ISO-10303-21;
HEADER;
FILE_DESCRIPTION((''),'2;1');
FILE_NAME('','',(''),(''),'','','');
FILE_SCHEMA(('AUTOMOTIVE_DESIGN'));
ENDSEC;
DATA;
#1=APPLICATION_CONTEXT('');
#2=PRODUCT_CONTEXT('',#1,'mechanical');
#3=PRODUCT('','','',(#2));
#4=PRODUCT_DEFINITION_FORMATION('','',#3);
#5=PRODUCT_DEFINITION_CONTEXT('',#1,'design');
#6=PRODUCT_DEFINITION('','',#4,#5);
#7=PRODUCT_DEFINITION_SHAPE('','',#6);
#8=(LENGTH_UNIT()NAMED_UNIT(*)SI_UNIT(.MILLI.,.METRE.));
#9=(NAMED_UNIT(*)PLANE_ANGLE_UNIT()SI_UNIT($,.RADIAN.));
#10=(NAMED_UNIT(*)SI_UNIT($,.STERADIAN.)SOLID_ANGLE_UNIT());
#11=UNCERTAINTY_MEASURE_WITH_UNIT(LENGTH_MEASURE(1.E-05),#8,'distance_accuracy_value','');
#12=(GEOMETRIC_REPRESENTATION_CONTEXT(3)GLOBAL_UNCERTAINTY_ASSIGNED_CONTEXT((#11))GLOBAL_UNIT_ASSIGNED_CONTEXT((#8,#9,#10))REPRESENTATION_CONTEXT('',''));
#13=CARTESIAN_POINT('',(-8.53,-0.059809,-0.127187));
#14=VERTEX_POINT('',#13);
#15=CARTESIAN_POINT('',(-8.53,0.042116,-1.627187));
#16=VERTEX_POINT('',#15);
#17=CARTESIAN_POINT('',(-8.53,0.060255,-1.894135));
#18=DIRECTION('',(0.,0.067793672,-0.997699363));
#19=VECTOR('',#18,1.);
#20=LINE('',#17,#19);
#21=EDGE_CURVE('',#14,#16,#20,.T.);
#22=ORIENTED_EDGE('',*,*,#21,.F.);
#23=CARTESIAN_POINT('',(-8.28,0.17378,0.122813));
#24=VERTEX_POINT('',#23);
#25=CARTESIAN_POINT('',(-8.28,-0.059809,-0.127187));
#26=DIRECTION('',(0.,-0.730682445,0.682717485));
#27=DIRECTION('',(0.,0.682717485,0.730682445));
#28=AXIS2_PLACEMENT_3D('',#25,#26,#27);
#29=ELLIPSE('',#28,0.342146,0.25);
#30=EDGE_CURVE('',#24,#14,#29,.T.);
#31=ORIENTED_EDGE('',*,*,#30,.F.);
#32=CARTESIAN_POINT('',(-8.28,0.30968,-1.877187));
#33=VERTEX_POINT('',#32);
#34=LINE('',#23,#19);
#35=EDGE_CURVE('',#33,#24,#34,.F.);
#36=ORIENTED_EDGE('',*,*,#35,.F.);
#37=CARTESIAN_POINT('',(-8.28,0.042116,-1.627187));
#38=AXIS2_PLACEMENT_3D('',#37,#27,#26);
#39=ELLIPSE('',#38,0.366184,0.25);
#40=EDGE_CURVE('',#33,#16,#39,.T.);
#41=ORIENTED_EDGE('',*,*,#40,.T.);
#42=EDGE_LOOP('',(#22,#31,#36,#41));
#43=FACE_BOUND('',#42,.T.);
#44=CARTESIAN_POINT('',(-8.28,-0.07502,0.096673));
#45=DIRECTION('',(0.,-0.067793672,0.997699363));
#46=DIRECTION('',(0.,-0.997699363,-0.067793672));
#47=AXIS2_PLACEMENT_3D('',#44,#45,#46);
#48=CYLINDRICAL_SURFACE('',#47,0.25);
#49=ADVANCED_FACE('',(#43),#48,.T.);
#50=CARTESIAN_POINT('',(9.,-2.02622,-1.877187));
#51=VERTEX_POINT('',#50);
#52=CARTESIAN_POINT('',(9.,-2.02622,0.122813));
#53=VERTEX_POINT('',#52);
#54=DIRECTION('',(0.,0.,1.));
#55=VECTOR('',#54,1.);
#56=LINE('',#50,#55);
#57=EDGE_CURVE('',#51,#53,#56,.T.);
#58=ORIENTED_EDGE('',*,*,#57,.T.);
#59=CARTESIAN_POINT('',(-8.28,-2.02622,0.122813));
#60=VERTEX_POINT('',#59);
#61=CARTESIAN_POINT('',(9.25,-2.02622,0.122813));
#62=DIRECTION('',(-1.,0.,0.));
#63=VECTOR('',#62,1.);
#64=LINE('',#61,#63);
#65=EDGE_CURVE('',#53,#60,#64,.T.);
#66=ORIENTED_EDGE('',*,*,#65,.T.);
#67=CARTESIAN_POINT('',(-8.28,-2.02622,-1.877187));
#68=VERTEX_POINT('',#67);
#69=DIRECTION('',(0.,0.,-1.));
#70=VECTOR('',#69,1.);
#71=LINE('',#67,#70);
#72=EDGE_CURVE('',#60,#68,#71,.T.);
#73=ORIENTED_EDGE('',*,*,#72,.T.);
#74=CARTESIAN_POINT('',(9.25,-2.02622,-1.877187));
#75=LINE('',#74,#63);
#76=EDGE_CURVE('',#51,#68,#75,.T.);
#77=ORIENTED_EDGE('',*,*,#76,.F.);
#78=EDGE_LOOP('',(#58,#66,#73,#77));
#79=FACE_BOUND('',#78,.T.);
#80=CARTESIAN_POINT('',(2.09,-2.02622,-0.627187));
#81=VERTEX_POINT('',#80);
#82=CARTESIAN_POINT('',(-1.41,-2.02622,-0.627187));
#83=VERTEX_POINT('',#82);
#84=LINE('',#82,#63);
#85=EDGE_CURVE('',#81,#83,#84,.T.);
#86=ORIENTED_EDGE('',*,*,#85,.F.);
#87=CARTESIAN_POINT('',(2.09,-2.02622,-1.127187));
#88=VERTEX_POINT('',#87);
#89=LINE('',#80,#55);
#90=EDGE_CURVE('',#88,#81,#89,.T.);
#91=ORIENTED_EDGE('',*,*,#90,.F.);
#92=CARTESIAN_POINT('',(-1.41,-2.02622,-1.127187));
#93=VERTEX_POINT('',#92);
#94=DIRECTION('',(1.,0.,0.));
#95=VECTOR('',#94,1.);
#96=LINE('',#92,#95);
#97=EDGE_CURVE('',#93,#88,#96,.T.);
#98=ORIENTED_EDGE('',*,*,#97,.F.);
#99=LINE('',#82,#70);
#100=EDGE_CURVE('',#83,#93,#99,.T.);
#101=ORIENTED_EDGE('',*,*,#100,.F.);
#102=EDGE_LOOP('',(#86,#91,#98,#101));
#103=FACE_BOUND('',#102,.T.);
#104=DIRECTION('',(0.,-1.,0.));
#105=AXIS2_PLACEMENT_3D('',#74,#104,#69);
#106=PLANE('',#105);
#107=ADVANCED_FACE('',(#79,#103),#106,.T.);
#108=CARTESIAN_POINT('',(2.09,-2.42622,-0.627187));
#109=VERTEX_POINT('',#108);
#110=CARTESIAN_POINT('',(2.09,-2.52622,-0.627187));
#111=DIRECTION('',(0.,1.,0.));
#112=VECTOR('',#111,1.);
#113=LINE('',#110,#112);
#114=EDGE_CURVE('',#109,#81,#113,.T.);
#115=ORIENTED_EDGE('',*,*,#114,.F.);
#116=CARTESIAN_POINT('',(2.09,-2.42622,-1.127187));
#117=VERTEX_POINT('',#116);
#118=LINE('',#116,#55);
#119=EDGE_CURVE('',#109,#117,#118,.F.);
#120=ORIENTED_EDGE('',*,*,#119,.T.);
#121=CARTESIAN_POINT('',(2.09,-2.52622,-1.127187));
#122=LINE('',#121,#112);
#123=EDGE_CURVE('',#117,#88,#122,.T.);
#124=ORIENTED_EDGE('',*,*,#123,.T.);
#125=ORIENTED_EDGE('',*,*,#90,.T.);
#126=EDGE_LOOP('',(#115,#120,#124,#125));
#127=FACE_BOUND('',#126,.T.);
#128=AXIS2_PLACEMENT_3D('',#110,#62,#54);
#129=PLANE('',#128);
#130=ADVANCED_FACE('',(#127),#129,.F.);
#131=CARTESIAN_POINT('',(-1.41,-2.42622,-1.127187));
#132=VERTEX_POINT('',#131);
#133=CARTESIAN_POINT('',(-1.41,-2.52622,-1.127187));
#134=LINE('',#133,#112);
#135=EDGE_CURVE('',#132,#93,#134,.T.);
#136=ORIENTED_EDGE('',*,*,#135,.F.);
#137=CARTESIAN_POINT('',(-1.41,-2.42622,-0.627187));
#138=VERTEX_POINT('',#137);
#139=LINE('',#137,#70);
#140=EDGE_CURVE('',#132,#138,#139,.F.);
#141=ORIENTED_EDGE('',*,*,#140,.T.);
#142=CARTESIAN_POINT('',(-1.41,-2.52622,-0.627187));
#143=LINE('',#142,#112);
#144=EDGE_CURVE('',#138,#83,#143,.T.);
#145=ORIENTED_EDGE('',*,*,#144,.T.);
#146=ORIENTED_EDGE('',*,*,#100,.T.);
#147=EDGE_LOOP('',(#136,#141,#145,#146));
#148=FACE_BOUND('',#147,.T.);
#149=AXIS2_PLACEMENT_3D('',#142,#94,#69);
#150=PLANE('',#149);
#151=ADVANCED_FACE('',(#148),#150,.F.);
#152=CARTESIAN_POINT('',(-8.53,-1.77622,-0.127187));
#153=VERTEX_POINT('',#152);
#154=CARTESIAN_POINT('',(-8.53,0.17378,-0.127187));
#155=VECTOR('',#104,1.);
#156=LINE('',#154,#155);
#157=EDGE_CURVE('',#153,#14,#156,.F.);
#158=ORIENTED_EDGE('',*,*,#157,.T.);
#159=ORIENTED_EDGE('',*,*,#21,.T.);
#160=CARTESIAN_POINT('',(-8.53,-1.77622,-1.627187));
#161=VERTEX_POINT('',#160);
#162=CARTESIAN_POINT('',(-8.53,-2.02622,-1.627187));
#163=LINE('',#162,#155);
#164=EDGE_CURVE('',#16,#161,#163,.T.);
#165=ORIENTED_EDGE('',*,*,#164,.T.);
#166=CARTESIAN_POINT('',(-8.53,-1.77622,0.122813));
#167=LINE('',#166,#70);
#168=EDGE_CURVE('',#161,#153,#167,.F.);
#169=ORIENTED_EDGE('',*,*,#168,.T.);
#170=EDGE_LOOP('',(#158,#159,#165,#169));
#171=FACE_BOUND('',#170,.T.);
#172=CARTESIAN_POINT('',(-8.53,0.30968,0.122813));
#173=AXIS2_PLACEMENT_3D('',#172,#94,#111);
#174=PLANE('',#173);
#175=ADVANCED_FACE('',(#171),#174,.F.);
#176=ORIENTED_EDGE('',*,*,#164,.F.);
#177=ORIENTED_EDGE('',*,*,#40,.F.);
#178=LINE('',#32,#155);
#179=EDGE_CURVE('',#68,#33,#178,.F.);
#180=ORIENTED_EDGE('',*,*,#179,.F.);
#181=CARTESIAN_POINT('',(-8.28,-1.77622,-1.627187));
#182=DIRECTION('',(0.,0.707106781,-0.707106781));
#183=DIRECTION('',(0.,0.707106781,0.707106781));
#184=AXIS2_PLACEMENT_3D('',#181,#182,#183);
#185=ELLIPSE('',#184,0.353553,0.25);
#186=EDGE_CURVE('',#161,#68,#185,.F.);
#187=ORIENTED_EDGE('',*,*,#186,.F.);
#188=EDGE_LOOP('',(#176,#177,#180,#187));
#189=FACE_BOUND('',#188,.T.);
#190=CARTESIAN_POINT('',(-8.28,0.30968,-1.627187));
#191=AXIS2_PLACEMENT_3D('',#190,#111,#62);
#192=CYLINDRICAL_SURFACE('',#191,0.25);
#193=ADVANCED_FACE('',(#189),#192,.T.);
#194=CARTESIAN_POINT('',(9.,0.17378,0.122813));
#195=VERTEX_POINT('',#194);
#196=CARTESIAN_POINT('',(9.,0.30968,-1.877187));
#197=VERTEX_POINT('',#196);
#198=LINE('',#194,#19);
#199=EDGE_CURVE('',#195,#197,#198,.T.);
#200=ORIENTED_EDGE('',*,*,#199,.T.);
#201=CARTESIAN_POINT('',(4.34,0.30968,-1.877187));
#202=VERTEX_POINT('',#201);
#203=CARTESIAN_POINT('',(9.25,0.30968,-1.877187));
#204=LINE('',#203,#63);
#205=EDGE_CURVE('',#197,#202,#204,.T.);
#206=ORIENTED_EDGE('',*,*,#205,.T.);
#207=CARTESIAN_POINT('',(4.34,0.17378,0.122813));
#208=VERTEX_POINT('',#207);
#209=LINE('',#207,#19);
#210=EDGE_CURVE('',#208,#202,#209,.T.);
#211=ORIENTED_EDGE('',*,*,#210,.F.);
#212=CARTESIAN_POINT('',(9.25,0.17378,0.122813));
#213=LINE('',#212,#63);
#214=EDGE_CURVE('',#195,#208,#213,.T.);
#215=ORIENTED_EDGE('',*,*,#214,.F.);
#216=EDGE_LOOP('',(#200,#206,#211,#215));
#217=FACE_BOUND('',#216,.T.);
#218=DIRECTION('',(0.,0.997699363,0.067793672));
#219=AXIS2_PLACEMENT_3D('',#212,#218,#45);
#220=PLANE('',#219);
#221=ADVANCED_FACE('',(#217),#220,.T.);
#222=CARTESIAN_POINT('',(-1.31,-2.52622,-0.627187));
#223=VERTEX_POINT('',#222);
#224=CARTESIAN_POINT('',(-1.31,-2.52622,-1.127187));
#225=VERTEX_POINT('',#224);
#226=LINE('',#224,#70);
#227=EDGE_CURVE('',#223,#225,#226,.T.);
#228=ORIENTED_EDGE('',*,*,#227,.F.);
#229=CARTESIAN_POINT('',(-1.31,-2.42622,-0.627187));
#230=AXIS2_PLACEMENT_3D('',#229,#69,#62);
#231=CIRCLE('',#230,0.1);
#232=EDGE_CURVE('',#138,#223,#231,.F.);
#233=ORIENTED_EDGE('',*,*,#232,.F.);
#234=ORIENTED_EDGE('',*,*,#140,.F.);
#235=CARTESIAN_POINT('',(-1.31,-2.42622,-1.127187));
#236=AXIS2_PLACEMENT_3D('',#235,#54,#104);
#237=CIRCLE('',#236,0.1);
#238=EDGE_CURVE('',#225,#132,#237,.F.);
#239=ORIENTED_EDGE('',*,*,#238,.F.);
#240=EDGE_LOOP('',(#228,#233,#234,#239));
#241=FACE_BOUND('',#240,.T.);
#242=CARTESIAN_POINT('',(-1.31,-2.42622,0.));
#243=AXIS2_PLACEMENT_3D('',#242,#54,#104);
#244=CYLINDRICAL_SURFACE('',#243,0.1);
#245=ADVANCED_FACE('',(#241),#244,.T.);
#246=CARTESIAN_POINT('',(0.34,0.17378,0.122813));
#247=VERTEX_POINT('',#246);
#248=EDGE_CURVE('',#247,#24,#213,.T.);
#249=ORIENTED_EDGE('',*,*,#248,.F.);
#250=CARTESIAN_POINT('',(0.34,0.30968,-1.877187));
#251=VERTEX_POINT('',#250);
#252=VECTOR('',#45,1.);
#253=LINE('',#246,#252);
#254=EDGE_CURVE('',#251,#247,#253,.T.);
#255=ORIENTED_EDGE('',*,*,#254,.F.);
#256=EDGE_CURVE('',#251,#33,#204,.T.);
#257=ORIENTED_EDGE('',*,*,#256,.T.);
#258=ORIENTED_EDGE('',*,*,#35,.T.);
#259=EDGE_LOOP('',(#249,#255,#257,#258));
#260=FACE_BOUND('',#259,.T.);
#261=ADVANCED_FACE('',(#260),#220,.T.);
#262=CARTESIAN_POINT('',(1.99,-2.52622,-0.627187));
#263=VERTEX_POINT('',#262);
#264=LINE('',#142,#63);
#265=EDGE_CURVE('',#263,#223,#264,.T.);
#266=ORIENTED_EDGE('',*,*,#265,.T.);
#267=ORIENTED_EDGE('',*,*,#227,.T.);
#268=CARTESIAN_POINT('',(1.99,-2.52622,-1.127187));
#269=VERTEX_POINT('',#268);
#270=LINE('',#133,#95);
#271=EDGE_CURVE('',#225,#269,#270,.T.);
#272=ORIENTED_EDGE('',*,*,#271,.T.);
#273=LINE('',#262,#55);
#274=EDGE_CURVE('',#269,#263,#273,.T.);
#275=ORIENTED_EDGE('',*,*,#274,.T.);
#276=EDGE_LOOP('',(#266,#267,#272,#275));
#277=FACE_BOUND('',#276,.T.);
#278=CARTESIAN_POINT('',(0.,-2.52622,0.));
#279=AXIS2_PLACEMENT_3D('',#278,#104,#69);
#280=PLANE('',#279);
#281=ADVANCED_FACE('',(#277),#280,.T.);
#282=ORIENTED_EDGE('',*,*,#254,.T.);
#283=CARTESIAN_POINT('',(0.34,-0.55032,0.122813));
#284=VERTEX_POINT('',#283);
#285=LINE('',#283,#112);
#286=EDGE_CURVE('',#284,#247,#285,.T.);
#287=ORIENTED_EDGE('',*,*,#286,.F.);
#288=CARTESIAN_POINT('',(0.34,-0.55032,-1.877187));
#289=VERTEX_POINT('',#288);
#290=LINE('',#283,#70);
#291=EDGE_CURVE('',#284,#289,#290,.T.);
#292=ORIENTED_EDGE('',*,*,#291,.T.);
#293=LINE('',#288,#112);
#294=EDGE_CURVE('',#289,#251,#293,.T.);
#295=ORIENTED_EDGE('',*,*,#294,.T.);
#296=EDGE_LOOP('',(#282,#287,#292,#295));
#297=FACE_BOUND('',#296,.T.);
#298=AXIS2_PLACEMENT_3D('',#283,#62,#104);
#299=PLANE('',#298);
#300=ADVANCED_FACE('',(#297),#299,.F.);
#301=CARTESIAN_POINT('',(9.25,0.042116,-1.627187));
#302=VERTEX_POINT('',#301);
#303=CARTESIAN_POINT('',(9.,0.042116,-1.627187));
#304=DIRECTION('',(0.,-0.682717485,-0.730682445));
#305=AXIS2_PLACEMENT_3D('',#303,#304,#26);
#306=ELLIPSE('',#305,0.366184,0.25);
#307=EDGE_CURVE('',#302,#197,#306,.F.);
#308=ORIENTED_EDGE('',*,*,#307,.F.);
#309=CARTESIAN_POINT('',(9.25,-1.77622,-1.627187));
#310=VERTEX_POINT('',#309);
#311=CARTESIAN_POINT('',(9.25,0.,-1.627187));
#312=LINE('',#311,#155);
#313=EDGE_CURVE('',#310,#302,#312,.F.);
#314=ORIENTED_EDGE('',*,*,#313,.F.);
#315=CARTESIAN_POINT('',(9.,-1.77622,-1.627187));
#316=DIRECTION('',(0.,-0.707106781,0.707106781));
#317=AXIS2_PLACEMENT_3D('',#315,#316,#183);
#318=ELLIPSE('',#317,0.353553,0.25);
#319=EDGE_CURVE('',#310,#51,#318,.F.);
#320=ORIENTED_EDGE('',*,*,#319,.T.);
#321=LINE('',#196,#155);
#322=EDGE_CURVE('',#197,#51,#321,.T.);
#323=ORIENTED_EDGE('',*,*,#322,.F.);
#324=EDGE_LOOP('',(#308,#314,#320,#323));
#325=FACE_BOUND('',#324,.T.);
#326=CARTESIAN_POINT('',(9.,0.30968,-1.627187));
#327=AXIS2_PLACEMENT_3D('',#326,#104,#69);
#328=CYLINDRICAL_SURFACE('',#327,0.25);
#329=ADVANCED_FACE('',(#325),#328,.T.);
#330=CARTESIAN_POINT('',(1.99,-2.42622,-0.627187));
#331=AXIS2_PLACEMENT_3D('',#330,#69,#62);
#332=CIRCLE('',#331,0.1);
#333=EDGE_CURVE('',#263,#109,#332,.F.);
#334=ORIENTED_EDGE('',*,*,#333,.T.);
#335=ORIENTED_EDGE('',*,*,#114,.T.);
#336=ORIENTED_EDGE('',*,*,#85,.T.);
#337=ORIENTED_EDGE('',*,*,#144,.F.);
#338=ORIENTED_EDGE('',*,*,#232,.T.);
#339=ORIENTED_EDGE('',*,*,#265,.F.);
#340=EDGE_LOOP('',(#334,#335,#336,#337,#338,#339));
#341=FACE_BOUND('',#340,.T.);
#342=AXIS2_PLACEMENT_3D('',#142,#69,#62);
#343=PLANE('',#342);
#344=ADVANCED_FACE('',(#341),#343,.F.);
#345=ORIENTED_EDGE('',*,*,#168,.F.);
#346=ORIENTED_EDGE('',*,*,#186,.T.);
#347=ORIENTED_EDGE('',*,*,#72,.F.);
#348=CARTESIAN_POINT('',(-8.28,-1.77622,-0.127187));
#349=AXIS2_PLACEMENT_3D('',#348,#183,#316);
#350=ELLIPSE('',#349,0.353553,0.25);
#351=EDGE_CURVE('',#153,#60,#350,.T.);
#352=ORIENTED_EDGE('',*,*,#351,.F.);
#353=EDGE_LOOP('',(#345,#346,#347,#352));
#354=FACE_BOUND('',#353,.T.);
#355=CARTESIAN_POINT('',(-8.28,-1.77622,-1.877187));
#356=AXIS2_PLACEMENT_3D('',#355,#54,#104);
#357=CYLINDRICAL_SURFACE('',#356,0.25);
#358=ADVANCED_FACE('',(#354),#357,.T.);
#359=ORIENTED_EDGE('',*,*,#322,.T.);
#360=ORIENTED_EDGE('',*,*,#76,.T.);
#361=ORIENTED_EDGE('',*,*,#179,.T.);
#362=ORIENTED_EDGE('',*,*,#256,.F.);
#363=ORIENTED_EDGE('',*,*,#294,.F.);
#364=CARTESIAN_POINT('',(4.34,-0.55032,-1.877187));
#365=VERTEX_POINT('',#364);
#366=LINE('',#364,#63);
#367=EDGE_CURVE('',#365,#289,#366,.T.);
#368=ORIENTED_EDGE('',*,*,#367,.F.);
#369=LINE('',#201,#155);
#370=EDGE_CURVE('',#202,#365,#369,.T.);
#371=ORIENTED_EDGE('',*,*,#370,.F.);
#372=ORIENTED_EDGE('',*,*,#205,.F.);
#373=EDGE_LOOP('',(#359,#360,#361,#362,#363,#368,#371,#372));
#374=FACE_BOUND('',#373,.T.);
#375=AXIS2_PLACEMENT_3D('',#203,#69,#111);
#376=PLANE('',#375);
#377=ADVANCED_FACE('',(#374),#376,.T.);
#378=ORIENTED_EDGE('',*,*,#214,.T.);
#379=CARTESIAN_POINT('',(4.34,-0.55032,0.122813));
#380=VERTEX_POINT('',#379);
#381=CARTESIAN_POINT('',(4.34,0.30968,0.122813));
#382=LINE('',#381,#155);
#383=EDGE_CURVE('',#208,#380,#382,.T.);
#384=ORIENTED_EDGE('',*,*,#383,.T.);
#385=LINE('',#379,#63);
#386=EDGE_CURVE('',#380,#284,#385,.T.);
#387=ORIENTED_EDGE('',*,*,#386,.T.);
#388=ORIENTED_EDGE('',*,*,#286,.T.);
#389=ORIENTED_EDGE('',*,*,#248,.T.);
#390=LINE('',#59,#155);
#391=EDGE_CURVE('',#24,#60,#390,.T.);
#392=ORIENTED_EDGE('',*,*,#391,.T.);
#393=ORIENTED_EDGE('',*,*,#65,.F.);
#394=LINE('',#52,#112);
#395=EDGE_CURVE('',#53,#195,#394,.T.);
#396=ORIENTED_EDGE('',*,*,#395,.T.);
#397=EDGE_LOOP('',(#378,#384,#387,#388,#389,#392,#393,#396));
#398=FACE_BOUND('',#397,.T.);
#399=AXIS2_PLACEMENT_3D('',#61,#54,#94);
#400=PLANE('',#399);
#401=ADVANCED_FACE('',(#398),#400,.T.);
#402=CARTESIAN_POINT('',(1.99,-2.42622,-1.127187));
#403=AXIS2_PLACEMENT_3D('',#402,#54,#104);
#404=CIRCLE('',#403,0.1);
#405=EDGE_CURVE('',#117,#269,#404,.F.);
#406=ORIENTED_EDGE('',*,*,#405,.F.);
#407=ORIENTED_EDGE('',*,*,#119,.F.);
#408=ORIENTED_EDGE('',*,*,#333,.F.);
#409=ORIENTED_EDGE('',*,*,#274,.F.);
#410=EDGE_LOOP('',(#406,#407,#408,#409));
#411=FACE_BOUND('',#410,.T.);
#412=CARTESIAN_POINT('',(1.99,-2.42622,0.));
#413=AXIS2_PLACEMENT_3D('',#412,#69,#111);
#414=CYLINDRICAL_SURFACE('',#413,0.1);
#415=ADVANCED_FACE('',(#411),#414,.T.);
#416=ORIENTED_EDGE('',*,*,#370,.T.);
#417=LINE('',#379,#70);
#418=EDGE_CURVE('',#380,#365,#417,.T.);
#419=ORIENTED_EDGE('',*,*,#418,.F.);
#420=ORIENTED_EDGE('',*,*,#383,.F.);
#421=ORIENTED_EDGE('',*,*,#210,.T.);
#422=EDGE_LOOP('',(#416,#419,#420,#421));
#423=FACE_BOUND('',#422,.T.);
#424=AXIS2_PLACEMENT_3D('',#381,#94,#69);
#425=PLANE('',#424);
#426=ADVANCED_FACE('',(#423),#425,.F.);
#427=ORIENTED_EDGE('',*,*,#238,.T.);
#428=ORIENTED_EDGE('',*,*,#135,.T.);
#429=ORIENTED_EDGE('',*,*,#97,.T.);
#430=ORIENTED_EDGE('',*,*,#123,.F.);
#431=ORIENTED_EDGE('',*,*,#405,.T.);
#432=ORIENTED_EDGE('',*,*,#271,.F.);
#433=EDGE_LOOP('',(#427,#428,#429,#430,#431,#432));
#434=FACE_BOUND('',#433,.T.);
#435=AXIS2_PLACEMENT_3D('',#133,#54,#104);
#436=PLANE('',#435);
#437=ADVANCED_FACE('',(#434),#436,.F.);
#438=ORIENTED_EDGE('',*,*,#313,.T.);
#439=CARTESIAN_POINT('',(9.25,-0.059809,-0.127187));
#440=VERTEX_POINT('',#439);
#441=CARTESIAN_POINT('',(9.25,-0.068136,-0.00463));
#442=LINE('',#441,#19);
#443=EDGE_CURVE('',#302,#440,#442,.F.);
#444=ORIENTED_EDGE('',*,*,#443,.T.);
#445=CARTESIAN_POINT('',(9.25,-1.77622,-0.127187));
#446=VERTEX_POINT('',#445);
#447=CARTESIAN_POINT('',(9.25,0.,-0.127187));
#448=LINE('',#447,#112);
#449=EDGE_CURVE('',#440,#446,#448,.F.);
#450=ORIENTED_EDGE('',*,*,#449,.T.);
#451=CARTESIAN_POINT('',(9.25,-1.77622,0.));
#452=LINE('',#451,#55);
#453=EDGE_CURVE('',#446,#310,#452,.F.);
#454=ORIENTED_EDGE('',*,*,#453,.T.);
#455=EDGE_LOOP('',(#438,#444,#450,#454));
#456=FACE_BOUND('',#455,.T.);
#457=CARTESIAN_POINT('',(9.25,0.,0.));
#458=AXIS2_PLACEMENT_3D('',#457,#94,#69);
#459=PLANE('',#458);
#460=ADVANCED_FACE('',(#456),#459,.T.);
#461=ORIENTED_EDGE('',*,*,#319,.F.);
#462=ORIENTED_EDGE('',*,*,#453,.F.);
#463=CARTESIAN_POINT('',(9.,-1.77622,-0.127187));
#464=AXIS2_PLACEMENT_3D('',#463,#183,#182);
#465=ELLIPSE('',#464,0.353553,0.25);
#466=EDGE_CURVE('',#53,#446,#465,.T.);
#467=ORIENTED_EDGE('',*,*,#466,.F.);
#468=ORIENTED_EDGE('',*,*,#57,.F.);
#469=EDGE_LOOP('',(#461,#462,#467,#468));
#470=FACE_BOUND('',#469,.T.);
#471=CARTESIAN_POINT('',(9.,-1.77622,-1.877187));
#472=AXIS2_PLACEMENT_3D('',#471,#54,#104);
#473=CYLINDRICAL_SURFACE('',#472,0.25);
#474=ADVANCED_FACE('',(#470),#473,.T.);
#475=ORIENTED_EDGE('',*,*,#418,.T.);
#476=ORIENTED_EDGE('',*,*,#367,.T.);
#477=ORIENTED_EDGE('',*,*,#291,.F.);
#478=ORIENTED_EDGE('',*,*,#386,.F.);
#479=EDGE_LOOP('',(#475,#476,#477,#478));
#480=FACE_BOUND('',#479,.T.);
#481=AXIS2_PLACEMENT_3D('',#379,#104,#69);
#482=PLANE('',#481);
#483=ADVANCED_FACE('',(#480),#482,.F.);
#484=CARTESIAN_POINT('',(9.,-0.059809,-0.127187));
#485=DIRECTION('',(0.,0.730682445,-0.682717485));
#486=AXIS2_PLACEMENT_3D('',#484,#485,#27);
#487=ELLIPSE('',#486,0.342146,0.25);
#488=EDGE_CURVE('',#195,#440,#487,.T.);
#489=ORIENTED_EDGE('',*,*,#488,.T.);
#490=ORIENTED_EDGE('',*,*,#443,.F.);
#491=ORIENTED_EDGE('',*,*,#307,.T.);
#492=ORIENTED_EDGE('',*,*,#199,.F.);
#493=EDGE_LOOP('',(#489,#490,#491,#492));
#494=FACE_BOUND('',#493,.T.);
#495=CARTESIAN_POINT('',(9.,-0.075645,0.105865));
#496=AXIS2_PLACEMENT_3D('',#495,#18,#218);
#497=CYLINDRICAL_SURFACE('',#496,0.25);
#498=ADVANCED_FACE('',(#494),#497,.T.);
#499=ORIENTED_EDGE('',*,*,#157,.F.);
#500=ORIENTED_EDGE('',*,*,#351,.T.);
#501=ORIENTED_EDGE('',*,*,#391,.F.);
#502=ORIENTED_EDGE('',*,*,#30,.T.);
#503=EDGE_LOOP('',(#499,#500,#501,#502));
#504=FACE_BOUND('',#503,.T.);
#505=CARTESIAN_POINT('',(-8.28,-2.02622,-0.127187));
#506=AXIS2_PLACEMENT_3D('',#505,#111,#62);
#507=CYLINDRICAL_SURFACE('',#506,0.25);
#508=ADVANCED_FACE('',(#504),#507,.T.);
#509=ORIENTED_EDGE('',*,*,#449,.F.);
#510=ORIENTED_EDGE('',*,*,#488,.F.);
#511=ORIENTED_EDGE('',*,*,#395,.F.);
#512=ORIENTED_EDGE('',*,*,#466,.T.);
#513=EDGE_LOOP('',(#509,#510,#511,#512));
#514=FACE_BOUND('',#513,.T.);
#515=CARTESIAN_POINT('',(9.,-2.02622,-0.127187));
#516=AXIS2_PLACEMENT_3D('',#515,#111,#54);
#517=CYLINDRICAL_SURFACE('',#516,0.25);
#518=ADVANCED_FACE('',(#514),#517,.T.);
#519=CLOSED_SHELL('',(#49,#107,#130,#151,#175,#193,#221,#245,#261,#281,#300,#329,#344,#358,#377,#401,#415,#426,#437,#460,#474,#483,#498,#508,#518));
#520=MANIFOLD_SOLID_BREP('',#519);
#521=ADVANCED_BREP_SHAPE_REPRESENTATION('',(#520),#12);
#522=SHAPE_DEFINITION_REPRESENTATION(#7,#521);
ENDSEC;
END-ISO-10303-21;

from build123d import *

# Parameters (mm, degrees)
BOSS_EXTRUDE3_DEPTH = 9.25
SKETCH5_W           = 4
SKETCH5_H           = 0.86
CUT_EXTRUDE1_DEPTH  = 2
SKETCH6_W           = 3.5
SKETCH6_H           = 0.5
BOSS_EXTRUDE4_DEPTH = 0.5
SKETCH7_W           = 0.72
SKETCH7_H           = 2.3359
CUT_EXTRUDE2_DEPTH  = 2
FILLET1_R           = 0.25
FILLET2_R           = 0.1


with BuildPart() as part:
    # Sketch1 → Boss-Extrude3 (new body, symmetric)
    with BuildSketch(Plane(origin=(0, 0, 0), x_dir=(0, 0, -1), z_dir=(1, 0, 0))):
        Polygon((-0.122813016, -2.026219673), (-0.122813016, 0.173780327), (1.877186984, 0.309680327), (1.877186984, -2.026219673), align=None)
    extrude(amount=BOSS_EXTRUDE3_DEPTH, both=True)

    # Sketch5 → Cut-Extrude1 (cut)
    with BuildSketch(Plane(origin=(0, 0, -1.877186984), x_dir=(-1, 0, 0), z_dir=(0, 0, -1))):
        with Locations((-2.34, -0.120319673)):
            Rectangle(SKETCH5_W, SKETCH5_H)
    extrude(amount=-CUT_EXTRUDE1_DEPTH, mode=Mode.SUBTRACT)

    # Sketch6 → Boss-Extrude4 (add)
    with BuildSketch(Plane.XZ.offset(2.026219673)):
        with Locations((0.34, -0.877186984)):
            Rectangle(SKETCH6_W, SKETCH6_H)
    extrude(amount=BOSS_EXTRUDE4_DEPTH)

    # Sketch7 → Cut-Extrude2 (cut)
    with BuildSketch(Plane(origin=(0, 0, -1.877186984), x_dir=(-1, 0, 0), z_dir=(0, 0, -1))):
        with Locations((8.89, -0.858269673)):
            Rectangle(SKETCH7_W, SKETCH7_H)
    extrude(amount=-CUT_EXTRUDE2_DEPTH, mode=Mode.SUBTRACT)

    # Fillet1
    fillet1_edges = [part.edges().sort_by_distance(p)[0] for p in [
        (9.25, -0.858269673, -1.877186984),
        (9.25, -2.026219673, -0.877186984),
        (9.25, -0.926219673, 0.122813016),
        (-8.53, 0.241730327, -0.877186984),
        (-8.53, -0.926219673, 0.122813016),
        (-8.53, -2.026219673, -0.877186984),
        (-8.53, -0.858269673, -1.877186984),
        (9.25, 0.241730327, -0.877186984),
    ]]
    fillet(fillet1_edges, radius=FILLET1_R)

    # Fillet2
    fillet2_edges = [part.edges().sort_by_distance(p)[0] for p in [
        (-1.41, -2.526219673, -0.877186984),
        (2.09, -2.526219673, -0.877186984),
    ]]
    fillet(fillet2_edges, radius=FILLET2_R)


solid = part.part
